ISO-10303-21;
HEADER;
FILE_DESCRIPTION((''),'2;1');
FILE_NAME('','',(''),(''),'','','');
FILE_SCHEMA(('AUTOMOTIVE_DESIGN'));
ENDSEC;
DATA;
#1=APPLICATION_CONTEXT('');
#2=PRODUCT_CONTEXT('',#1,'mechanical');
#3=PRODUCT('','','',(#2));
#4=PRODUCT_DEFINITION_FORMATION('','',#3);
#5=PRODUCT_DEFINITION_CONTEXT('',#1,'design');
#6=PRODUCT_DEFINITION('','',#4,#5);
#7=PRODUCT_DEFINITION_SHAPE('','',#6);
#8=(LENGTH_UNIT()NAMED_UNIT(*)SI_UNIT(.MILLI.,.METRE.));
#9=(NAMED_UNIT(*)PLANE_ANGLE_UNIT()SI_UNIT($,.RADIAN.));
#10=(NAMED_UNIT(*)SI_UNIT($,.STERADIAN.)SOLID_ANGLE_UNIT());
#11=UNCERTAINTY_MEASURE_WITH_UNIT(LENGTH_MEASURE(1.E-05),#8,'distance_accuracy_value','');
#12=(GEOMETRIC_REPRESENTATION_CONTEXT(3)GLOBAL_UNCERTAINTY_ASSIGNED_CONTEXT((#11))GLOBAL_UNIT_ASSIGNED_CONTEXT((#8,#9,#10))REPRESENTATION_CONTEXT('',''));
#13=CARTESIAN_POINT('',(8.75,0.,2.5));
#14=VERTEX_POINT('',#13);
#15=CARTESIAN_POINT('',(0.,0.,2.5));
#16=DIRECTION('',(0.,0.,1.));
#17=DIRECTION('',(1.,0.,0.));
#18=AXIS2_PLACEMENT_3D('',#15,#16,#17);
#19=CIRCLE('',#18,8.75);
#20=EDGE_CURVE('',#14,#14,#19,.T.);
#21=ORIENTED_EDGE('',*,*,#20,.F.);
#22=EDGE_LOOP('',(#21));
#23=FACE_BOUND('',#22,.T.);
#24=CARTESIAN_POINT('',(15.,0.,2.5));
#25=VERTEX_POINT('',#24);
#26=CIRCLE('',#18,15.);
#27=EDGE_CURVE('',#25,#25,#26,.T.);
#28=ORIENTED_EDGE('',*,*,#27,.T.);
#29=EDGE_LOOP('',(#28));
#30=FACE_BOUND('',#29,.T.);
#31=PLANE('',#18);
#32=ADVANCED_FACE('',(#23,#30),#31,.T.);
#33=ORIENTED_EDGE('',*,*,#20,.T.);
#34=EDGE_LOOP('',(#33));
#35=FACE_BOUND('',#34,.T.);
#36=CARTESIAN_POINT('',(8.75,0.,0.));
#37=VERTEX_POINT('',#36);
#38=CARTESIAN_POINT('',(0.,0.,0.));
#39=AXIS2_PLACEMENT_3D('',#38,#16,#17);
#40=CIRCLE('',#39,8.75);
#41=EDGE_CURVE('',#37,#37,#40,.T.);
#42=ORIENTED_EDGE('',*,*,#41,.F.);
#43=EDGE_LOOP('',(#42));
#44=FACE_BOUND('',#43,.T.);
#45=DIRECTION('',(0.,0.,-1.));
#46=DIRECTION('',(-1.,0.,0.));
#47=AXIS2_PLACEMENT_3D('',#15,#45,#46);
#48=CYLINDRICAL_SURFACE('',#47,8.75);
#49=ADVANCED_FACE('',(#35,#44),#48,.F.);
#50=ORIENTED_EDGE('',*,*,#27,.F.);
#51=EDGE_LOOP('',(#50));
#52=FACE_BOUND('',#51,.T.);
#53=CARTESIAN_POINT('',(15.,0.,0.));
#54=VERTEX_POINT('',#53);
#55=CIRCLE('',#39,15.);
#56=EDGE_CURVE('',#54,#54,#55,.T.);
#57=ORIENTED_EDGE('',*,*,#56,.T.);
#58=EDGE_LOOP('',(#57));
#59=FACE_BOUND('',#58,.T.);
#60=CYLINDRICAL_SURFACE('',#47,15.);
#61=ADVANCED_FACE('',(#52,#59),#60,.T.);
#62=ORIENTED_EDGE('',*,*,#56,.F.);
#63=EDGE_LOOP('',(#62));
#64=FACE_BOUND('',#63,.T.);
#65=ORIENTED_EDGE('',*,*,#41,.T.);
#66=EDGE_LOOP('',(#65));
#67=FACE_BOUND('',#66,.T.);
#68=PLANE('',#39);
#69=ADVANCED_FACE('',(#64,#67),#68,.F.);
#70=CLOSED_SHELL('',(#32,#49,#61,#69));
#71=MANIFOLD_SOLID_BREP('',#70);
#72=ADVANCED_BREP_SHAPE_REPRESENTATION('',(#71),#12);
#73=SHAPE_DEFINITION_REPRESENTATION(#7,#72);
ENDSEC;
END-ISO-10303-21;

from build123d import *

# Parameters (mm, degrees)
SKETCH_1_R      = 15
SKETCH_1_R_2    = 8.75
EXTRUDE_1_DEPTH = 2.5


with BuildPart() as part:
    # 草图1 → 凸台-拉伸1 (new body)
    with BuildSketch(Plane.XY):
        Circle(SKETCH_1_R)
        Circle(SKETCH_1_R_2, mode=Mode.SUBTRACT)
    extrude(amount=EXTRUDE_1_DEPTH)


solid = part.part
